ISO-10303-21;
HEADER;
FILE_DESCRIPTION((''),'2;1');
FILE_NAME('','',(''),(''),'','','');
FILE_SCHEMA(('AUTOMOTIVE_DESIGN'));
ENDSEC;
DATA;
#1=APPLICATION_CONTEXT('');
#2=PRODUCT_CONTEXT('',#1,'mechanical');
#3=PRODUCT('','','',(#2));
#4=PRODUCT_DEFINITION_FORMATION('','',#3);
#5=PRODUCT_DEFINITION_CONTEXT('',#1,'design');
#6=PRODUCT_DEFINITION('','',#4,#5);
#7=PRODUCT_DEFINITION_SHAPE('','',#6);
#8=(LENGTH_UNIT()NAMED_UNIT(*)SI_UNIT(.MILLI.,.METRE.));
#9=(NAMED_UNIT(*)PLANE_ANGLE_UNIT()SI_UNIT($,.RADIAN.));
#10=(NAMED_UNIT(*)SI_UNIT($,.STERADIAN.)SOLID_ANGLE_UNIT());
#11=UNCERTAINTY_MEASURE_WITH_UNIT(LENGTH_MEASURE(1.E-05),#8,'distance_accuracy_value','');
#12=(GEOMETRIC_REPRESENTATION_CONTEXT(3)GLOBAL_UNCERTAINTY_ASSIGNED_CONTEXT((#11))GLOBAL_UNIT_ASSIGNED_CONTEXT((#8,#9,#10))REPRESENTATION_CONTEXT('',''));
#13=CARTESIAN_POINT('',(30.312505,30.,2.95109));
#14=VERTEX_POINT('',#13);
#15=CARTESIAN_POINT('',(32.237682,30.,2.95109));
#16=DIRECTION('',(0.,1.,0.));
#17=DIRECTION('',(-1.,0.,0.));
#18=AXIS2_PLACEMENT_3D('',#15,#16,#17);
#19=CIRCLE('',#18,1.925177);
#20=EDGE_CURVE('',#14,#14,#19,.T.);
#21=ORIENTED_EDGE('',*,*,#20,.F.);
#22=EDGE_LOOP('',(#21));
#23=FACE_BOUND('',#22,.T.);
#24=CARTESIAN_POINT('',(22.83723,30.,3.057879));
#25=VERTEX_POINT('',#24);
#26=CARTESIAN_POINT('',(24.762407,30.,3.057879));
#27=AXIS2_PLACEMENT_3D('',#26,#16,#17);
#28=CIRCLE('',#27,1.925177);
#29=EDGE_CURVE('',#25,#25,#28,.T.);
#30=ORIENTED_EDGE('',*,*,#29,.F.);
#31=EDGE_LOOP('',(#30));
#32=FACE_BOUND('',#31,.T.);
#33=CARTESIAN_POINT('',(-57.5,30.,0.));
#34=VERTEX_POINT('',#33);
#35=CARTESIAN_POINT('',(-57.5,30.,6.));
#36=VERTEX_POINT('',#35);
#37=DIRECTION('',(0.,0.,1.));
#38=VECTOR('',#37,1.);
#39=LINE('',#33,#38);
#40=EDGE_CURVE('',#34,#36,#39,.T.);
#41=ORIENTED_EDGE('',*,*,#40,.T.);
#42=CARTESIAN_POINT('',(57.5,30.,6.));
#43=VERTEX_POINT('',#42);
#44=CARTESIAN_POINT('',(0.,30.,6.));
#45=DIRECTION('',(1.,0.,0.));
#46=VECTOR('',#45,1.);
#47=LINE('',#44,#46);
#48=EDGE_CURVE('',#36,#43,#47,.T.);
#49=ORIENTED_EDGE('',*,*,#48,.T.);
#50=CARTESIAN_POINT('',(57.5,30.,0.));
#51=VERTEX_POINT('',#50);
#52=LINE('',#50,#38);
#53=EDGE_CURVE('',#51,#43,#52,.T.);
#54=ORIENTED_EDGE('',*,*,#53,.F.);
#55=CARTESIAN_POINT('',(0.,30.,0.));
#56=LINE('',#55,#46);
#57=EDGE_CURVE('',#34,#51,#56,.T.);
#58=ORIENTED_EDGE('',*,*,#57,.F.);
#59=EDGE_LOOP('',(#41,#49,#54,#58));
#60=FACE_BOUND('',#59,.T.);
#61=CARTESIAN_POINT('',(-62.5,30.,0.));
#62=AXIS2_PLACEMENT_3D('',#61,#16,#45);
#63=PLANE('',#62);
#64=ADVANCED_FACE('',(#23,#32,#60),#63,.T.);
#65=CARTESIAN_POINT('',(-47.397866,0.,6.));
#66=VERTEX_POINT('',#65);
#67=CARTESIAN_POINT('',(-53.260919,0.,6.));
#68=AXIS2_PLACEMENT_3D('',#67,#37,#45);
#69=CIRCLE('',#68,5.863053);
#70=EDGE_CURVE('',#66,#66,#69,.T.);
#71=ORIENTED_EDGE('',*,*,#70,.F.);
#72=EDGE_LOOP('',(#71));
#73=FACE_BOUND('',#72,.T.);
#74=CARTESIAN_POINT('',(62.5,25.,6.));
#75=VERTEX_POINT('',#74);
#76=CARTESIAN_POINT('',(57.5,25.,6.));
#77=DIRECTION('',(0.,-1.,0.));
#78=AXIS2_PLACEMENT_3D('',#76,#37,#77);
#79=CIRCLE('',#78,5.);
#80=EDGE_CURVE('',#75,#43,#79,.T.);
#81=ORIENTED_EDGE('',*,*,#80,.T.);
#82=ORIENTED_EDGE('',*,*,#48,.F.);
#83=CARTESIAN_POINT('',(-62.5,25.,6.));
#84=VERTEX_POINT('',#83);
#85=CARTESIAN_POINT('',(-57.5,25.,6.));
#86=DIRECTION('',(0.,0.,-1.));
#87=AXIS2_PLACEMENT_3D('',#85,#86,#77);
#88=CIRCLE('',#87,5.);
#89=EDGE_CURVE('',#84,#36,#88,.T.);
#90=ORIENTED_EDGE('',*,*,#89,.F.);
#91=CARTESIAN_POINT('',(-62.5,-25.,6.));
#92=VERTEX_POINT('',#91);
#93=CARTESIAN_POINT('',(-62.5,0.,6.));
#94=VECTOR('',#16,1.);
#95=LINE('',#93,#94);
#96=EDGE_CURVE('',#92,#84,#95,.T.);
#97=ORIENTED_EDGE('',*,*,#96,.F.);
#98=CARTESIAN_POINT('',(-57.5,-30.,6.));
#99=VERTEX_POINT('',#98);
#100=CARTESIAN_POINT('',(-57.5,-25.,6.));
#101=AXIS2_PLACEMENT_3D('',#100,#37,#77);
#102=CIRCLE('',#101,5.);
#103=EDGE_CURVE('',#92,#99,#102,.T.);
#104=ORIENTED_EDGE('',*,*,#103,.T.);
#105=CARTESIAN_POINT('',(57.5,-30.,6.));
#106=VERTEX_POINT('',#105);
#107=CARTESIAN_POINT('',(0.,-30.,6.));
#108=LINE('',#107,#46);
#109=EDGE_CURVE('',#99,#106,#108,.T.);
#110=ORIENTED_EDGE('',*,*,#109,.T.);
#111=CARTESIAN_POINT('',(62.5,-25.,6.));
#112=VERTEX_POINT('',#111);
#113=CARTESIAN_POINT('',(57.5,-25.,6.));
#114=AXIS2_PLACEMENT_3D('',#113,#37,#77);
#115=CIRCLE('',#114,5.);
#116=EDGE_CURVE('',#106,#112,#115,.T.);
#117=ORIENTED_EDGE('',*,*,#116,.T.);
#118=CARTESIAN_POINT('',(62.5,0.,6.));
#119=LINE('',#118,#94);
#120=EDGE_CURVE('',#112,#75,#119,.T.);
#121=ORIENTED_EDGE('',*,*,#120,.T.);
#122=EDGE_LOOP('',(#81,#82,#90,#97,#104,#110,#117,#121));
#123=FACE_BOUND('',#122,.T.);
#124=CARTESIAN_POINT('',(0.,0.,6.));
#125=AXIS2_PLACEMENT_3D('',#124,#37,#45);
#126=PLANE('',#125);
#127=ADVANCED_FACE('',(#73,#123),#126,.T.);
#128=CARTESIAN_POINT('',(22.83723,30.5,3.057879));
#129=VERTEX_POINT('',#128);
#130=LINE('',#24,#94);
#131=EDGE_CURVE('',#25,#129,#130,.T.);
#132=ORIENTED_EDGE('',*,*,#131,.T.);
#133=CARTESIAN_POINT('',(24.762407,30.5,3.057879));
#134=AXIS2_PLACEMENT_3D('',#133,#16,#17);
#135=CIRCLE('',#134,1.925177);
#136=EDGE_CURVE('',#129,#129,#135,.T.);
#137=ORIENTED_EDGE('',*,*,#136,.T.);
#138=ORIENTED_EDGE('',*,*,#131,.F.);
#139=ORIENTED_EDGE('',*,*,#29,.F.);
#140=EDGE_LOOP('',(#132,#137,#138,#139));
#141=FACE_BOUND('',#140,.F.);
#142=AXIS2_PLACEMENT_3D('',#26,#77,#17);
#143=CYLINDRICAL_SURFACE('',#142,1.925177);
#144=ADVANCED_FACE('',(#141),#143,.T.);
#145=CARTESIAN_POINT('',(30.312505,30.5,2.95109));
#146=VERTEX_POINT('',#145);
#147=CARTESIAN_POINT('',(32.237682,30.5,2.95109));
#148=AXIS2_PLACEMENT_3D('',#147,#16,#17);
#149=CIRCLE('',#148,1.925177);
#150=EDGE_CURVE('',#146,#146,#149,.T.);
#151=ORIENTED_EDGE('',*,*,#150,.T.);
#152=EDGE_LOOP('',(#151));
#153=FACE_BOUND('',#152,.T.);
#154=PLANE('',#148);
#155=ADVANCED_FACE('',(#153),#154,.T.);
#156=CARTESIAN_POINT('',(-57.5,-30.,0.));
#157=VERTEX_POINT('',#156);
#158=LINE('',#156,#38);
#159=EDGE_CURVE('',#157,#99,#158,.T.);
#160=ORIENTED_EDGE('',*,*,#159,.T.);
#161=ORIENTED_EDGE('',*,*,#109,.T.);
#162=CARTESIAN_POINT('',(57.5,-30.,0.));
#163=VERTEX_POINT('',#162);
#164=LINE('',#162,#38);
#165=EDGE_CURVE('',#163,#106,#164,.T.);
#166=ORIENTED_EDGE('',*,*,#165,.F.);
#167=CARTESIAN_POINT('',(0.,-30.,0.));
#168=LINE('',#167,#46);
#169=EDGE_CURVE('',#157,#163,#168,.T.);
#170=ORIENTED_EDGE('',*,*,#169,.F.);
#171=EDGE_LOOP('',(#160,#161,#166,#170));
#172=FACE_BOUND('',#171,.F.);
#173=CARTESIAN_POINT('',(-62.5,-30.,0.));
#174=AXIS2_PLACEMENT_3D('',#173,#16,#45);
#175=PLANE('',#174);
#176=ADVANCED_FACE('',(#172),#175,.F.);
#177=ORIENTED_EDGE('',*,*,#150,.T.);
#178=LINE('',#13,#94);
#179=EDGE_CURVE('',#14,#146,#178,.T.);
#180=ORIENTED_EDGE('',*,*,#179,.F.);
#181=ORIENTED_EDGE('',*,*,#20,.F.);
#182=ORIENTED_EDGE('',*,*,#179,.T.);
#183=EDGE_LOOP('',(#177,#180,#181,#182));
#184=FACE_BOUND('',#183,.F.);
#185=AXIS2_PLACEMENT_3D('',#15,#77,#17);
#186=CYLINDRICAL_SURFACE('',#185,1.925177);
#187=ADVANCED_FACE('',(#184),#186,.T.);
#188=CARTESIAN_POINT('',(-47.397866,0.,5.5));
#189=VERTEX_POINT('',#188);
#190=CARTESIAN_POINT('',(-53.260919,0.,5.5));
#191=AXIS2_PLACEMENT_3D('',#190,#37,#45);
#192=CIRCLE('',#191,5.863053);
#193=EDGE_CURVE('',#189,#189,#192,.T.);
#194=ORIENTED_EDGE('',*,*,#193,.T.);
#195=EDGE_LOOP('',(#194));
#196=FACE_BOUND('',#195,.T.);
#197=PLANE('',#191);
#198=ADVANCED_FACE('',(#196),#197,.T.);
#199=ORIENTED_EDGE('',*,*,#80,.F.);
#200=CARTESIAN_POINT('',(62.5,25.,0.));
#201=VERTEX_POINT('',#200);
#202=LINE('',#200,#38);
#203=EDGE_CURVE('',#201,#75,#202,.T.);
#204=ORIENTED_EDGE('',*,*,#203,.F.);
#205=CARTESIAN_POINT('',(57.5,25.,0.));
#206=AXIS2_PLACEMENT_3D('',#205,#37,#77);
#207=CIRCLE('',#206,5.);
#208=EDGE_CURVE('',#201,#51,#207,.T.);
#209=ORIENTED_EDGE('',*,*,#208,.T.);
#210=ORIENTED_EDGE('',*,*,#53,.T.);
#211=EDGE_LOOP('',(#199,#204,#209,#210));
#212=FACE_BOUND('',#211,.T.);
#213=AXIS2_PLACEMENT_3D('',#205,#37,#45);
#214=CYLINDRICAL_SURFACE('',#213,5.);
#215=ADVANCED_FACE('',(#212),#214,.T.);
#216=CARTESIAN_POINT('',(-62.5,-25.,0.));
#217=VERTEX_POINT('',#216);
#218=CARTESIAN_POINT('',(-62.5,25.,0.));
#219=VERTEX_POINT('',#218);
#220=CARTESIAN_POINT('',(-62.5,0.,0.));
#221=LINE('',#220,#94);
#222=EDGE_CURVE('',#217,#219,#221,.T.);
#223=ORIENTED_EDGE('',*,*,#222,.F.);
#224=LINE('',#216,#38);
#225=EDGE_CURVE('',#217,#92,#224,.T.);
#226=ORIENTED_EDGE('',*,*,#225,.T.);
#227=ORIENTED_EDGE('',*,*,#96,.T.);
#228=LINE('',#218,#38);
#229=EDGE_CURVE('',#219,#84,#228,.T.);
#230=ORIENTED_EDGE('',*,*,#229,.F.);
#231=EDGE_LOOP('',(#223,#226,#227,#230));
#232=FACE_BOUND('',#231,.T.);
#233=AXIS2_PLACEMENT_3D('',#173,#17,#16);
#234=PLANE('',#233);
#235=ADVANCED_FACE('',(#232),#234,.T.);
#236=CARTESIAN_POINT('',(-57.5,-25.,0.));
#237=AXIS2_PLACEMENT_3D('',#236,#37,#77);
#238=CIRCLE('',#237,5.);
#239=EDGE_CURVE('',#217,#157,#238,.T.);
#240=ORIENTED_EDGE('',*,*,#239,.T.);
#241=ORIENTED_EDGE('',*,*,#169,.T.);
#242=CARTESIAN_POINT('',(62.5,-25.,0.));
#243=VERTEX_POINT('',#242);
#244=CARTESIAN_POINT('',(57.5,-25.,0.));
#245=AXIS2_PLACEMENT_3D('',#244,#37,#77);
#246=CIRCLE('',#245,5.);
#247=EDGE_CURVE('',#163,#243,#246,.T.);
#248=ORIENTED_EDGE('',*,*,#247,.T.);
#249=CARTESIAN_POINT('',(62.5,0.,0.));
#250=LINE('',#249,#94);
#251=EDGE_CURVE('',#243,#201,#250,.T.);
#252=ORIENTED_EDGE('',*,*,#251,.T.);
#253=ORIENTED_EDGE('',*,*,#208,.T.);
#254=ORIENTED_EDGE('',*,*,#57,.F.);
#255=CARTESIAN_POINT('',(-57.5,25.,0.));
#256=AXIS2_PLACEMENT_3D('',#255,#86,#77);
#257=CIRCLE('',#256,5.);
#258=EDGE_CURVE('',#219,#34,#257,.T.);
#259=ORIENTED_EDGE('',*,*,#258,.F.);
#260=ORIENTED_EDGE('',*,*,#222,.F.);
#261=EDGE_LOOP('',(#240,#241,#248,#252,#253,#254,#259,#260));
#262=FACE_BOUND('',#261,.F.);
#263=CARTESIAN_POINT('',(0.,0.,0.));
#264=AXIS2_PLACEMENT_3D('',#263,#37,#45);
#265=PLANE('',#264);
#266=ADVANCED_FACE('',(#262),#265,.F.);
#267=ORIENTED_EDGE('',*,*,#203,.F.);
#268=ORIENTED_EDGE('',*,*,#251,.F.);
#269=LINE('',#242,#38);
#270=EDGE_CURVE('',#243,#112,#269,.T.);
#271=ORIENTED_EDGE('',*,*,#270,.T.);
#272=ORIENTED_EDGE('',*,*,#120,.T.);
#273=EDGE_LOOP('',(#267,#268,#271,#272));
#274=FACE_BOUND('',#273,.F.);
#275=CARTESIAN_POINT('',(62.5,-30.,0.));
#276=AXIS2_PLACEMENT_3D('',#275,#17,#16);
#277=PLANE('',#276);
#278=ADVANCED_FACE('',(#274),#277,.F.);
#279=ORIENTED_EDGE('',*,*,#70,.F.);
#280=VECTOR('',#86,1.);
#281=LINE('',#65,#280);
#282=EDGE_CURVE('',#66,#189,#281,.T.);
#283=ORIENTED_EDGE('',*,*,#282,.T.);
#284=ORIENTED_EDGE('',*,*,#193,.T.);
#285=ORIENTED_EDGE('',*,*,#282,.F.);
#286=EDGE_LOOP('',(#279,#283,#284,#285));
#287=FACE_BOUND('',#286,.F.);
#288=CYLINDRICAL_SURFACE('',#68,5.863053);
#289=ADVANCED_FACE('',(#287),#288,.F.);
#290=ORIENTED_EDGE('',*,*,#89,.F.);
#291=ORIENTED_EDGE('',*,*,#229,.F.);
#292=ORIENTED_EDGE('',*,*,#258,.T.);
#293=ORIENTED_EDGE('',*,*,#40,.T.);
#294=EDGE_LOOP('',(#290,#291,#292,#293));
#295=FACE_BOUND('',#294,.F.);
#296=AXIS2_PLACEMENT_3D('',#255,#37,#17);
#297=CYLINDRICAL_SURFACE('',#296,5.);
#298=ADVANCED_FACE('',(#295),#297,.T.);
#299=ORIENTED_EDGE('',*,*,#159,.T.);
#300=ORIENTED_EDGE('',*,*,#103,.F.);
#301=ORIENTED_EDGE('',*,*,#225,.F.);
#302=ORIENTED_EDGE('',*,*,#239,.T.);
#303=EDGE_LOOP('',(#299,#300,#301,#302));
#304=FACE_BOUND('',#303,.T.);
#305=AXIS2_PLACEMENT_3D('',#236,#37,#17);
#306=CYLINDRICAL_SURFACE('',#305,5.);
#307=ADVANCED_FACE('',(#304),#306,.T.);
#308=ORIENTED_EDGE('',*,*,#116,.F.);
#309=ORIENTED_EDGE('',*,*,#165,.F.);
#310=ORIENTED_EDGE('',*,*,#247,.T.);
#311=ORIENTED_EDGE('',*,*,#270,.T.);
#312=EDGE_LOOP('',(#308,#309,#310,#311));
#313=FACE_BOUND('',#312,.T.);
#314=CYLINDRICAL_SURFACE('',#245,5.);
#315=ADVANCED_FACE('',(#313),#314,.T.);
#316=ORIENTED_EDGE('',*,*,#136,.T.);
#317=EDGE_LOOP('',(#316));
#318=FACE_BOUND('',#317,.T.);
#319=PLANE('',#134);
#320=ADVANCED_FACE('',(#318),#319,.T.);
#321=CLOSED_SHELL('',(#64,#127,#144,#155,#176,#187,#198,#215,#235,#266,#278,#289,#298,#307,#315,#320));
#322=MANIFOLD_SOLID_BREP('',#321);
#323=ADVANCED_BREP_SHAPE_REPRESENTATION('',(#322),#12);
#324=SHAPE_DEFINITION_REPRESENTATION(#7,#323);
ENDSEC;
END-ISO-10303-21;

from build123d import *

# Parameters (mm, degrees)
F0_W     = 125
F0_H     = 60
F1_DEPTH = 6
F2_R     = 5
F3_R     = 5
F4_R     = 1.925177
F5_DEPTH = 0.5
F6_R     = 1.925177
F7_DEPTH = 0.5
F8_R     = 5.863053
F9_DEPTH = 0.5


with BuildPart() as f1:
    # F0 (on Top) → F1 (new body)
    with BuildSketch(Plane.XY):
        Rectangle(F0_W, F0_H)
    extrude(amount=F1_DEPTH)

    # F2
    f2_edges = [f1.edges().sort_by_distance(p)[0] for p in [
        (-62.5, 30, 3),
        (62.5, 30, 3),
        (62.5, -30, 3),
    ]]
    fillet(f2_edges, radius=F2_R)

    # F3
    f3_edges = [f1.edges().sort_by_distance(p)[0] for p in [
        (-62.5, -30, 3),
    ]]
    fillet(f3_edges, radius=F3_R)

    # F4 (on face) → F5 (join)
    with BuildSketch(Plane(origin=(0, 30, 0), x_dir=(-1, 0, 0), z_dir=(0, 1, 0))):
        with Locations((-32.237682, 2.95109)):
            Circle(F4_R)
    extrude(amount=F5_DEPTH)

    # F6 (on face) → F7 (join)
    with BuildSketch(Plane(origin=(0, 30, 0), x_dir=(-1, 0, 0), z_dir=(0, 1, 0))):
        with Locations((-24.762407, 3.057879)):
            Circle(F6_R)
    extrude(amount=F7_DEPTH)

    # F8 (on face) → F9 (cut)
    with BuildSketch(Plane.XY.offset(6)):
        with Locations((-53.260919, 0)):
            Circle(F8_R)
    extrude(amount=-F9_DEPTH, mode=Mode.SUBTRACT)


solid = f1.part
